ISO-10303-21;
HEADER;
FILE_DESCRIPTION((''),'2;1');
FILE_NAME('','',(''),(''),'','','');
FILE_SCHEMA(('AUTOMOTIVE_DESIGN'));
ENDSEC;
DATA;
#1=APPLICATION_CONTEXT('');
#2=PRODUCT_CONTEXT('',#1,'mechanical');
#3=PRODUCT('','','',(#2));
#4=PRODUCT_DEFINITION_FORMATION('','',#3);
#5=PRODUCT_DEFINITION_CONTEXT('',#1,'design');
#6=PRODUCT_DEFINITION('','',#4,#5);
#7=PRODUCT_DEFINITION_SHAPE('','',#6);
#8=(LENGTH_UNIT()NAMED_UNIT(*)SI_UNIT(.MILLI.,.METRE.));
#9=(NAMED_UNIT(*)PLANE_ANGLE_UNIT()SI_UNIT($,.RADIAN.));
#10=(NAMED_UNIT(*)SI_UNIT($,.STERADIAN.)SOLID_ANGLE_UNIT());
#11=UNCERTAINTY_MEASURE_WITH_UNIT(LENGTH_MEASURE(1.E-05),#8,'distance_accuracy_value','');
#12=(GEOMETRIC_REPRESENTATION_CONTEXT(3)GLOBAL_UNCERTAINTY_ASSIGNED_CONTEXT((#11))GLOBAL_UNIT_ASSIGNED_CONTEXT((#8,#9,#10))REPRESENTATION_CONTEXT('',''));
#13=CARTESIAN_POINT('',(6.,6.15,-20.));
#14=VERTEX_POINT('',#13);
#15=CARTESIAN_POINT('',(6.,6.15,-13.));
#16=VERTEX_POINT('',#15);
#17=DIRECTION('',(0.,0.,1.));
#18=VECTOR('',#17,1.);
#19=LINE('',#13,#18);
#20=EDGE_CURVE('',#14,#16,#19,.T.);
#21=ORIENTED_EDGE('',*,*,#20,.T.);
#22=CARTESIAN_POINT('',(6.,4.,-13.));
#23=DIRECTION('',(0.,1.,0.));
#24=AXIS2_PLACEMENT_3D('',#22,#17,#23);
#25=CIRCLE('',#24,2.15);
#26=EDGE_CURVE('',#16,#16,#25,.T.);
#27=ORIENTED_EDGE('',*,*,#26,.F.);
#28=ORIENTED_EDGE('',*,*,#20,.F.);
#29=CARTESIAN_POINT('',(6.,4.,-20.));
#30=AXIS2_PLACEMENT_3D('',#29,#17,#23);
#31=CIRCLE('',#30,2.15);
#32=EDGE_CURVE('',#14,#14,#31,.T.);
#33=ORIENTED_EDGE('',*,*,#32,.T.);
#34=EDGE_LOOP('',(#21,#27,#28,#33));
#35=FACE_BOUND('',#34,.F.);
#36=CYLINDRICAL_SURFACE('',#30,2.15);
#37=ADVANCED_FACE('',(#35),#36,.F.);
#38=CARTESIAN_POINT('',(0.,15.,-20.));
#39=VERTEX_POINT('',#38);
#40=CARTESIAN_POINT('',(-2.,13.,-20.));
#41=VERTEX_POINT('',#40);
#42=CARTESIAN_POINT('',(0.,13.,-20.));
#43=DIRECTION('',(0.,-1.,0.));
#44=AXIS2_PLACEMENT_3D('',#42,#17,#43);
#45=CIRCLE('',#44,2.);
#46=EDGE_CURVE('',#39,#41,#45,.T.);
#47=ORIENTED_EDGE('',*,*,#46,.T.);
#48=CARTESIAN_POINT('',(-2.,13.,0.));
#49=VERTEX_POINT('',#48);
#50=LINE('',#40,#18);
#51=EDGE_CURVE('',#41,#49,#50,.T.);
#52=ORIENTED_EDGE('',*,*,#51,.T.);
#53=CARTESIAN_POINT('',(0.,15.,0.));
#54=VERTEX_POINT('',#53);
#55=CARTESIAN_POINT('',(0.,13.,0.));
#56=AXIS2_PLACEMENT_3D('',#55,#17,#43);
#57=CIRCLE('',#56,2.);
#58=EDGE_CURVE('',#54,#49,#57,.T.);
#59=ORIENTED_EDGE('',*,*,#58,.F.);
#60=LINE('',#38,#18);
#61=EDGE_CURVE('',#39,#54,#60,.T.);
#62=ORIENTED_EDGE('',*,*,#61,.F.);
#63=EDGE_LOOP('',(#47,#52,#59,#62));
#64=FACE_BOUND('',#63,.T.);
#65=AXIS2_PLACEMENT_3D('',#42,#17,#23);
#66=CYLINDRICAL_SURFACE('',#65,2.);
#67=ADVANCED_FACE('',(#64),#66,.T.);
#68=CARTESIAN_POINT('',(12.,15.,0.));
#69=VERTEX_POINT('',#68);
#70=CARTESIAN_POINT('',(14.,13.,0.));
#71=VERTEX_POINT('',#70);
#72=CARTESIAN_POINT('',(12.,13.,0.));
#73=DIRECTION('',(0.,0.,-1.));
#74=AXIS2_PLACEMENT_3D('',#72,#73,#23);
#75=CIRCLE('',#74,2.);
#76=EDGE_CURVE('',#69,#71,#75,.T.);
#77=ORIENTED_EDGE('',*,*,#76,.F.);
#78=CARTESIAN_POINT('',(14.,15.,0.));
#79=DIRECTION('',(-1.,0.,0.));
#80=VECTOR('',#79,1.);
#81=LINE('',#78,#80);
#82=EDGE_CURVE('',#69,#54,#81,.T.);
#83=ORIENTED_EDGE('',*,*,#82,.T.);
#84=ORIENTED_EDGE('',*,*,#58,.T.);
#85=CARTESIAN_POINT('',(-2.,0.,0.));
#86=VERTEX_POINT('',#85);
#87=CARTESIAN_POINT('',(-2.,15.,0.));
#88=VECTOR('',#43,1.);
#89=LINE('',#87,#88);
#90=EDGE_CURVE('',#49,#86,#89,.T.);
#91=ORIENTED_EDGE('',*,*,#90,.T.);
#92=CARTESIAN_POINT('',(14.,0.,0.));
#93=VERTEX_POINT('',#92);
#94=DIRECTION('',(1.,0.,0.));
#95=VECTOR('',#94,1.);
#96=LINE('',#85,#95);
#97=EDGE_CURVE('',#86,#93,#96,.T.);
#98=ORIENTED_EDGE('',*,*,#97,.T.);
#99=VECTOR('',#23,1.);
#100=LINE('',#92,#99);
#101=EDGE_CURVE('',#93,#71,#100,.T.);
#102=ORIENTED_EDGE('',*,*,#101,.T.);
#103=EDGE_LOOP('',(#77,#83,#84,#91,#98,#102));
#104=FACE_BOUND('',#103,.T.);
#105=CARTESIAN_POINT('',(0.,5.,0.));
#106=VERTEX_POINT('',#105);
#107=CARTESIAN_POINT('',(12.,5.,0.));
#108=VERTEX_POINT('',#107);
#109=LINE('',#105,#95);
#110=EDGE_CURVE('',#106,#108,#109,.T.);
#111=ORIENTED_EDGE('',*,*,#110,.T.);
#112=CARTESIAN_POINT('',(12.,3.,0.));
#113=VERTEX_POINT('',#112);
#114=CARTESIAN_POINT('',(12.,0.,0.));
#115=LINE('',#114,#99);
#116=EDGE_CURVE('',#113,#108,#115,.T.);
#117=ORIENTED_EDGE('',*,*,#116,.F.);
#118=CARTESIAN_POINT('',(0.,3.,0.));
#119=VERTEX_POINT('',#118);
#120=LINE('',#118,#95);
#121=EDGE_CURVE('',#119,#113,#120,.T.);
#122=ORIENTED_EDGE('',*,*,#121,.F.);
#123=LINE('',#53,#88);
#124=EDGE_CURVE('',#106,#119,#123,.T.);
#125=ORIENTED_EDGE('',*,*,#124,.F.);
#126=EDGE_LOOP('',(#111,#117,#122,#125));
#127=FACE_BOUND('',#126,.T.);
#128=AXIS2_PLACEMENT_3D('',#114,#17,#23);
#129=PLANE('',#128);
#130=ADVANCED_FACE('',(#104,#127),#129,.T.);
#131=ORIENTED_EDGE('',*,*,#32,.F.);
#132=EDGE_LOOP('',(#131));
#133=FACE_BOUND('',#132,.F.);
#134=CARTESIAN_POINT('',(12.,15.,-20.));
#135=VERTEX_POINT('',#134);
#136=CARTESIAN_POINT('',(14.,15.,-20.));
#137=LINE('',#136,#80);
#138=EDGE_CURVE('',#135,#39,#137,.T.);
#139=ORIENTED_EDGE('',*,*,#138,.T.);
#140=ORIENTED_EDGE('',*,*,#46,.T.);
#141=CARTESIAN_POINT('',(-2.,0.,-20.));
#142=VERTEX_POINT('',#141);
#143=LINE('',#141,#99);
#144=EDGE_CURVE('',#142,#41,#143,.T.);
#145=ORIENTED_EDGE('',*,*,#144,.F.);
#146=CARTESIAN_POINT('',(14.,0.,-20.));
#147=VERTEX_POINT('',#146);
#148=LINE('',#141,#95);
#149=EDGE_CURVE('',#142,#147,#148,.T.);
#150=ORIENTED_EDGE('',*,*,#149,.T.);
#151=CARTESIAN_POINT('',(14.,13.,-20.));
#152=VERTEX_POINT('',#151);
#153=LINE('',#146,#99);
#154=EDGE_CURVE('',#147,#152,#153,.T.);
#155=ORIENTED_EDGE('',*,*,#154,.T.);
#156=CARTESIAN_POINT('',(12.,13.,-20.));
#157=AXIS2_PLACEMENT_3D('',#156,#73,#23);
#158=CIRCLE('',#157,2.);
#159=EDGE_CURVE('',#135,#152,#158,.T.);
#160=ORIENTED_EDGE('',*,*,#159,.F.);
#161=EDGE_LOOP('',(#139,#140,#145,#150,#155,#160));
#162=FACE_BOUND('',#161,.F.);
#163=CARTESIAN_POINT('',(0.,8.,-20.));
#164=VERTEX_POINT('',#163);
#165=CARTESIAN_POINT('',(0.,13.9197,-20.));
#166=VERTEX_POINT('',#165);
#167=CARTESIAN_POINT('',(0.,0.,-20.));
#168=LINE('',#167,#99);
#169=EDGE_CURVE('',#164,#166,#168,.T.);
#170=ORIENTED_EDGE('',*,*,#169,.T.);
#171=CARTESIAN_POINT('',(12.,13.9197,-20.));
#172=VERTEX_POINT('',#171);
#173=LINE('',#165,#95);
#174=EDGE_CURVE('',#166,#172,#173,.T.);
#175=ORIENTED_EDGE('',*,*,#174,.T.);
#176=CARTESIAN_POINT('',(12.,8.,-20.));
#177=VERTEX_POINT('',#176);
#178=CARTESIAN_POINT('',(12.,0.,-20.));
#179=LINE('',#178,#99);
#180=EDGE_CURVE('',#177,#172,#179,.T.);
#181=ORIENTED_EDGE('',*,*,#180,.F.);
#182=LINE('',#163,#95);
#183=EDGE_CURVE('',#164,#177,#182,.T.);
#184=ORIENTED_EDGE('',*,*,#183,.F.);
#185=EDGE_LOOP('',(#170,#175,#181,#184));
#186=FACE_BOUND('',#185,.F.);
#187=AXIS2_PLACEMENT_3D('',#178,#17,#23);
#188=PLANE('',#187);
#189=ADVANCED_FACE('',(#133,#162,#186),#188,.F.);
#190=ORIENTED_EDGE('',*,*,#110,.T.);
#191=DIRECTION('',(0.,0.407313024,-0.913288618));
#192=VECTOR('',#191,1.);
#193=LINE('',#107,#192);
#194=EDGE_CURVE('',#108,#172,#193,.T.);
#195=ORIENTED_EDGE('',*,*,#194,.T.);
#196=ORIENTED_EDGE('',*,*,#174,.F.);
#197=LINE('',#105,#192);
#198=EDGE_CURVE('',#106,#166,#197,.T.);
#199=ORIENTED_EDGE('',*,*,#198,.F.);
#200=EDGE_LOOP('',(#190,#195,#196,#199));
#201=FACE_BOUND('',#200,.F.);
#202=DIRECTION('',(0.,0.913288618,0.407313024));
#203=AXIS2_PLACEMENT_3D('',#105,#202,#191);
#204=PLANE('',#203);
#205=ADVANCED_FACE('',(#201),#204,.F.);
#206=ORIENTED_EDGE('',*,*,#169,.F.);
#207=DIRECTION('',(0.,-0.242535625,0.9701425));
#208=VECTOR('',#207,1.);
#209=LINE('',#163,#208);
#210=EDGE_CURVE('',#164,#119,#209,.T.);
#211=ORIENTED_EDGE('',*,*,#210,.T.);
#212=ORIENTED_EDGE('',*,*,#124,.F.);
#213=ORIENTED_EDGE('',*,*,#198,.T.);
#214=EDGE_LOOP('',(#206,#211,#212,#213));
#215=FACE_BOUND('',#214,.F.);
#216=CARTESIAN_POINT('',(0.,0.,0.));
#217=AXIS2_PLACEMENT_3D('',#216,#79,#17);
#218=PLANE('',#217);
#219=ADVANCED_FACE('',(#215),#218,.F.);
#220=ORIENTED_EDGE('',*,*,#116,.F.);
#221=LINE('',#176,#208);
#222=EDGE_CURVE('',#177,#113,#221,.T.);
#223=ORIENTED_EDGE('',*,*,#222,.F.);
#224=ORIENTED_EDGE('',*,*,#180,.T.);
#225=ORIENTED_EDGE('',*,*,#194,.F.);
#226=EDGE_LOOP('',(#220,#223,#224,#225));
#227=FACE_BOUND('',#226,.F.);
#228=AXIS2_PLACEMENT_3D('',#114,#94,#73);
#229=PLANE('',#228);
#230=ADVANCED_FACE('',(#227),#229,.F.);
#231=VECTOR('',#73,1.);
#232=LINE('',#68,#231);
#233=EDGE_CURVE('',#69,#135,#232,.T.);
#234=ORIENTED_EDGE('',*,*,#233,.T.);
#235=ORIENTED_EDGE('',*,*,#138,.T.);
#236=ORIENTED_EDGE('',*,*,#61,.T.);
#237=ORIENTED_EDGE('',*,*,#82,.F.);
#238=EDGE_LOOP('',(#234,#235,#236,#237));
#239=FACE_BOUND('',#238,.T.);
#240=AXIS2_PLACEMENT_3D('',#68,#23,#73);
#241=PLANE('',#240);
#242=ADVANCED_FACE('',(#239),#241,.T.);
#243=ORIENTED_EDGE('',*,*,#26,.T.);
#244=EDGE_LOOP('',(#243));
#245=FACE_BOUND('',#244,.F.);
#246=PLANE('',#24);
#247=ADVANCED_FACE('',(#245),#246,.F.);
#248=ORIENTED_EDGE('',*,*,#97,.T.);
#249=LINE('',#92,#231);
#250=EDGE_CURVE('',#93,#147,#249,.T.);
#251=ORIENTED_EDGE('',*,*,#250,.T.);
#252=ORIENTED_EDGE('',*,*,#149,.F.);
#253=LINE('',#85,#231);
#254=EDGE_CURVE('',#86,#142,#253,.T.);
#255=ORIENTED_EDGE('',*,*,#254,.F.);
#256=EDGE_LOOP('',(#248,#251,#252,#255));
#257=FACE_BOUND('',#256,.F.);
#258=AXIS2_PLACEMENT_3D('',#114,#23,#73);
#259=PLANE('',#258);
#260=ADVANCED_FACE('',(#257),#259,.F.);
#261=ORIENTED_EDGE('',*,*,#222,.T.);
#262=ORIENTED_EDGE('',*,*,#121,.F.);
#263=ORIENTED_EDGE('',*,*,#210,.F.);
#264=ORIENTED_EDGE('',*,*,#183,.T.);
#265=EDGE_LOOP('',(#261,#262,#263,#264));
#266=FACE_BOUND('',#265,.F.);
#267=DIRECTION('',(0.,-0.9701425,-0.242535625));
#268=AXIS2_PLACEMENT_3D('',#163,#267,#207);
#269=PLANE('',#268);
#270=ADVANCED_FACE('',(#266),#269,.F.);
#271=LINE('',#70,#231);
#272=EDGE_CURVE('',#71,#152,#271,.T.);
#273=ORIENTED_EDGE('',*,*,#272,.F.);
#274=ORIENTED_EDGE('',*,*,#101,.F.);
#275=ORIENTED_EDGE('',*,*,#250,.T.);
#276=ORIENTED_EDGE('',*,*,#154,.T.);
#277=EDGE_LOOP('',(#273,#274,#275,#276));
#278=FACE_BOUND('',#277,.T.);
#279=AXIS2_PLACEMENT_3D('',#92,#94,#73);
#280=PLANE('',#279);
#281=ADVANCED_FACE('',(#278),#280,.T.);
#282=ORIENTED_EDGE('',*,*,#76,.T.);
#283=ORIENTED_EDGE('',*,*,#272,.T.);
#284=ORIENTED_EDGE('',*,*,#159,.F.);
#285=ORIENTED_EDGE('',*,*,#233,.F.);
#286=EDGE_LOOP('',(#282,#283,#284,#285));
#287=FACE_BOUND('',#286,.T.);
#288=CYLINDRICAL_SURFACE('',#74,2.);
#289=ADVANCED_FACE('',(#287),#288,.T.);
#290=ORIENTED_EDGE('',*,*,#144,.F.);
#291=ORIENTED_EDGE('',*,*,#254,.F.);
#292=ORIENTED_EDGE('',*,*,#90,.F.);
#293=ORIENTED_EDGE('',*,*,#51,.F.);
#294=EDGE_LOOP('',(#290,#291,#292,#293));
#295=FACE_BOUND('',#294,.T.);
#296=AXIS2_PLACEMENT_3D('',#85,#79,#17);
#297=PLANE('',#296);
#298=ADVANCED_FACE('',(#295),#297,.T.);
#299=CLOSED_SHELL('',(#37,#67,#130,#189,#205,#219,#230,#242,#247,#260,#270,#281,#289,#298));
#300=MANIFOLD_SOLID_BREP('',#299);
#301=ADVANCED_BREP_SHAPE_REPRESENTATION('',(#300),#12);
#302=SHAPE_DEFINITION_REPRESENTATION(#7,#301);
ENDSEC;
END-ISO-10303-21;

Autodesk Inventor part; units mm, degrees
ref_plane "YZ Plane" through (0, 0, 0) normal (1, 0, 0) x (0, 1, 0)
ref_plane "XZ Plane" through (0, 0, 0) normal (0, 1, 0) x (-1, 0, 0)
ref_plane "XY Plane" through (0, 0, 0) normal (0, 0, 1) x (1, 0, 0)
sketch "Sketch1" plane through (0, 0, 0) normal (1, 0, 0) x (0, 1, 0)
  line L0 (0, 0) -> (0, -20)
  line L1 (0, -20) -> (8, -20)
  line L2 (8, -20) -> (3, 0)
  line L3 (3, 0) -> (0, 0)
  dimension "d0" = 8
  dimension "d1" = 20
  dimension "d11" = 3
extrude "Extrusion1" add sketch "Sketch1" along normal blind 12
sketch "Sketch2" plane through (0, 0, -20) normal (0, 0, -1) x (-1, 0, 0)
  line L0 (0, 0) -> (0, 8) construction
  line L1 (0, 8) -> (-12, 8) construction
  line L2 (-12, 0) -> (-12, 8) construction
  line L3 (0, 0) -> (-12, 0) construction
  line L4 (-12, 8) -> (0, 0) construction
  line L5 (0, 8) -> (-12, 0) construction
  point P0 (0, 0)
  point P1 (-6, 4)
hole "Hole1" at (6, 4, -20) direction (0, 0, 1) diameter 4.3 depth 7
sketch "Sketch3" plane through (0, 0, 0) normal (-1, 0, 0) x (0, 0, 1)
  line L0 (-20, 0) -> (-20, 8) projected
  line L1 (-20, 8) -> (0, 3) projected
  line L2 (0, 3) -> (0, 0) projected
  line L3 (0, 0) -> (-20, 0) projected
  line L4 (-20, 15) -> (0, 15)
  line L5 (0, 15) -> (0, 5)
  line L6 (0, 5) -> (-20, 13.9197)
  line L7 (-20, 13.9197) -> (-20, 15)
  dimension "d12" = 15
  dimension "d13" = 2
  dimension "d14" = 10
extrude "Extrusion2" add sketch "Sketch3" against normal up to surface (12 mm away) contours L4 L5 L6 L7
sketch "Sketch4" plane through (0, 0, 0) normal (-1, 0, 0) x (0, 0, 1)
  line L0 (-20, 15) -> (-20, 13.9197) projected
  line L1 (0, 0) -> (-20, 0) projected
  line L2 (-20, 15) -> (0, 15)
  line L3 (0, 15) -> (0, 0)
  line L4 (0, 0) -> (-20, 0)
  line L5 (-20, 0) -> (-20, 15)
extrude "Extrusion3" add sketch "Sketch4" along normal blind 2
sketch "Sketch5" plane through (12, 0, 0) normal (1, 0, 0) x (0, 0, -1)
  line L0 (0, 0) -> (0, 15) projected
  line L1 (0, 15) -> (20, 15) projected
  line L2 (0, 0) -> (20, 0)
  line L3 (20, 0) -> (20, 15)
  line L4 (20, 15) -> (0, 15)
  line L5 (0, 15) -> (0, 0)
extrude "Extrusion4" add sketch "Sketch5" along normal blind 2
fillet "Fillet1" radius 2 2 edges at (-2, 15, -10) (14, 15, -10)
properties part number "BeltClampNew"
